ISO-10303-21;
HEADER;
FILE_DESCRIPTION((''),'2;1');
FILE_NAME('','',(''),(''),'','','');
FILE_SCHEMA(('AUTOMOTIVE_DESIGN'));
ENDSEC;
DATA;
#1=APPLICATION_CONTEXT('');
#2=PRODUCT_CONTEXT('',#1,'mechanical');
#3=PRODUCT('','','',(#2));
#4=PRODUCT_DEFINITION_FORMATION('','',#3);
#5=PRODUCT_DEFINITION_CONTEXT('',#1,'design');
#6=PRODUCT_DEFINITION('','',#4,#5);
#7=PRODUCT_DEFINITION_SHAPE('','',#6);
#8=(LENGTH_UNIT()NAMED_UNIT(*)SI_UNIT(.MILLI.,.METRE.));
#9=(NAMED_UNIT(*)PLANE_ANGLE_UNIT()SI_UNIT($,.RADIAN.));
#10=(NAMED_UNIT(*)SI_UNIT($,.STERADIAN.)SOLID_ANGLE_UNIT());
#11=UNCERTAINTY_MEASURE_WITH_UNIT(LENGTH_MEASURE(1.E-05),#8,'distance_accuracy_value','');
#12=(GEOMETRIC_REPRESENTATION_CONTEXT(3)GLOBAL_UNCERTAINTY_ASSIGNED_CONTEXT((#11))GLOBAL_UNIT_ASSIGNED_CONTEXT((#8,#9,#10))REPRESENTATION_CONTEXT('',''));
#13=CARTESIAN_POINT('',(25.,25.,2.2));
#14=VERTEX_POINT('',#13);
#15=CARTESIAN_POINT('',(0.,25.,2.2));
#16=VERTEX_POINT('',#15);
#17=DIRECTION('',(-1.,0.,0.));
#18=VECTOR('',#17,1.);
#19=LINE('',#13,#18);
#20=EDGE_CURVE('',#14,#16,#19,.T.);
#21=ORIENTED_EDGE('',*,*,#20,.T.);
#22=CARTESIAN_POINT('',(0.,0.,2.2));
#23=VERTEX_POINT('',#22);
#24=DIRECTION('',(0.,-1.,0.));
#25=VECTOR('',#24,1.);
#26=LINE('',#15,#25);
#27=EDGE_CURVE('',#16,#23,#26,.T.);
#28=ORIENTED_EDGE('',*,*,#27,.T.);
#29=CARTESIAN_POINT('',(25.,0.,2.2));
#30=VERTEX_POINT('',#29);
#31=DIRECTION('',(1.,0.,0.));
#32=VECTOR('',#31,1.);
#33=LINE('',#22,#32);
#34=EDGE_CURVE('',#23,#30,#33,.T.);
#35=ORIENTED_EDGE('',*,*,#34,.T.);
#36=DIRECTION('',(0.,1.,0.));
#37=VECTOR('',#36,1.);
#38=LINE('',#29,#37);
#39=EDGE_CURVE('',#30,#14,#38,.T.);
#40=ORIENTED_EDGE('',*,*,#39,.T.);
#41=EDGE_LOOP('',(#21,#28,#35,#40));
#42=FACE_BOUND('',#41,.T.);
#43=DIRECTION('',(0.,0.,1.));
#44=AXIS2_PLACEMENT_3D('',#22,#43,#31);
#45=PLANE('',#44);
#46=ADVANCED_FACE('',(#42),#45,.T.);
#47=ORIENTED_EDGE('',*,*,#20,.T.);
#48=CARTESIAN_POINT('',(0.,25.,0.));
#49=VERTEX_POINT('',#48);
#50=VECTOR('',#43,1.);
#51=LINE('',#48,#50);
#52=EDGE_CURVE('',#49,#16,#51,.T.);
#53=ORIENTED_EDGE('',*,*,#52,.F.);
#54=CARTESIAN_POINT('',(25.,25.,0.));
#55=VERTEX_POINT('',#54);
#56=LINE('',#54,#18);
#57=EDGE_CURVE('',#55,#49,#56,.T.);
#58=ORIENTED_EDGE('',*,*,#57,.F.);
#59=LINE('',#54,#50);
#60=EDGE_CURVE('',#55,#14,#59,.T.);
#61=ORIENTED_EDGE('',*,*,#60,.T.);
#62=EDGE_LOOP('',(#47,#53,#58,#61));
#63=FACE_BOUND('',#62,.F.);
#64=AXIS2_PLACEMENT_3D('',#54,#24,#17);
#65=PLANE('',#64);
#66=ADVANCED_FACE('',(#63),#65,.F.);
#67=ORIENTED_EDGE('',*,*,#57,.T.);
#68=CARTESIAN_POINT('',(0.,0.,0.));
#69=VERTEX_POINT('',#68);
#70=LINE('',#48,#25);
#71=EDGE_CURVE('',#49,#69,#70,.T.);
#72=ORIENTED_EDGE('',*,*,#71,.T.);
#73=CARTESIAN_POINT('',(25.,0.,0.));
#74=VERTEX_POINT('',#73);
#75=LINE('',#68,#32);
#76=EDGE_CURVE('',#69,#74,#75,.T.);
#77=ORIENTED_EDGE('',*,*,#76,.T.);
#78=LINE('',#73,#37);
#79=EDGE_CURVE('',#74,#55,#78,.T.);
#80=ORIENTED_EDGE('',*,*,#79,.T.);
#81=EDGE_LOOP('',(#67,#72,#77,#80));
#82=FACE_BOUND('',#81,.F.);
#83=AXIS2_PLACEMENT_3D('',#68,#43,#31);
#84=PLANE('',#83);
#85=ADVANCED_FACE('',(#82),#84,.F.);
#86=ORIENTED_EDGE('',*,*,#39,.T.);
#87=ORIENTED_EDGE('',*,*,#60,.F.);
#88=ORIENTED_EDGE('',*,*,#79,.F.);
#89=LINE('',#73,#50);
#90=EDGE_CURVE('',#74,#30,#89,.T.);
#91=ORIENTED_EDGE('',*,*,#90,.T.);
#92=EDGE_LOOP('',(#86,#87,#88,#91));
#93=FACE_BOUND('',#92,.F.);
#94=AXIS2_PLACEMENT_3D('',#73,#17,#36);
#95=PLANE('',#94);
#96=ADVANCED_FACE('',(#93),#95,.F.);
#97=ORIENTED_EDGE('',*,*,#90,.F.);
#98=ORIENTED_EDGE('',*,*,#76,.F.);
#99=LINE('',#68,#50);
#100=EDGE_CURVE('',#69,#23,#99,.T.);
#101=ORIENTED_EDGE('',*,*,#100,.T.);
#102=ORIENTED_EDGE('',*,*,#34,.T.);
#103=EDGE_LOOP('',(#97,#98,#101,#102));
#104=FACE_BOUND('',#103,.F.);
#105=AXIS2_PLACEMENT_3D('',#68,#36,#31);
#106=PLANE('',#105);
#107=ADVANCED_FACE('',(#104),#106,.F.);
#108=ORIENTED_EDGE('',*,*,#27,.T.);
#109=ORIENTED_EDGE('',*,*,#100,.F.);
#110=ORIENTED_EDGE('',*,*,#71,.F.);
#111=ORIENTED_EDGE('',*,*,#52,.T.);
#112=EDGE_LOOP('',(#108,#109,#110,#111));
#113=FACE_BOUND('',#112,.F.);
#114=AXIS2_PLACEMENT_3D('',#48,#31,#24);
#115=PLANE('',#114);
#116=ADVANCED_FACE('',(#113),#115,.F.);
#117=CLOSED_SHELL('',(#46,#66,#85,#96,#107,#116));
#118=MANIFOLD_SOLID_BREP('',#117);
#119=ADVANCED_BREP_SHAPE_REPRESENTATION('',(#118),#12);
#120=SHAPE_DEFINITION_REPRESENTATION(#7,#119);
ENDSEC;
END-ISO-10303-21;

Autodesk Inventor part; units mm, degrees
ref_plane "YZ Plane" through (0, 0, 0) normal (1, 0, 0) x (0, 1, 0)
ref_plane "XZ Plane" through (0, 0, 0) normal (0, 1, 0) x (-1, 0, 0)
ref_plane "XY Plane" through (0, 0, 0) normal (0, 0, 1) x (1, 0, 0)
sketch "Skizze1" plane through (0, 0, 0) normal (0, 0, 1) x (1, 0, 0)
  line L0 (0, 0) -> (25, 0)
  line L1 (25, 0) -> (25, 25)
  line L2 (25, 25) -> (0, 25)
  line L3 (0, 25) -> (0, 0)
  dimension "d0" = 25
  dimension "d1" = 25
extrude "Extrusion1" add sketch "Skizze1" along normal blind 2.2
properties part number "Glassubstrat_25x25x2,2" material "Glas"
